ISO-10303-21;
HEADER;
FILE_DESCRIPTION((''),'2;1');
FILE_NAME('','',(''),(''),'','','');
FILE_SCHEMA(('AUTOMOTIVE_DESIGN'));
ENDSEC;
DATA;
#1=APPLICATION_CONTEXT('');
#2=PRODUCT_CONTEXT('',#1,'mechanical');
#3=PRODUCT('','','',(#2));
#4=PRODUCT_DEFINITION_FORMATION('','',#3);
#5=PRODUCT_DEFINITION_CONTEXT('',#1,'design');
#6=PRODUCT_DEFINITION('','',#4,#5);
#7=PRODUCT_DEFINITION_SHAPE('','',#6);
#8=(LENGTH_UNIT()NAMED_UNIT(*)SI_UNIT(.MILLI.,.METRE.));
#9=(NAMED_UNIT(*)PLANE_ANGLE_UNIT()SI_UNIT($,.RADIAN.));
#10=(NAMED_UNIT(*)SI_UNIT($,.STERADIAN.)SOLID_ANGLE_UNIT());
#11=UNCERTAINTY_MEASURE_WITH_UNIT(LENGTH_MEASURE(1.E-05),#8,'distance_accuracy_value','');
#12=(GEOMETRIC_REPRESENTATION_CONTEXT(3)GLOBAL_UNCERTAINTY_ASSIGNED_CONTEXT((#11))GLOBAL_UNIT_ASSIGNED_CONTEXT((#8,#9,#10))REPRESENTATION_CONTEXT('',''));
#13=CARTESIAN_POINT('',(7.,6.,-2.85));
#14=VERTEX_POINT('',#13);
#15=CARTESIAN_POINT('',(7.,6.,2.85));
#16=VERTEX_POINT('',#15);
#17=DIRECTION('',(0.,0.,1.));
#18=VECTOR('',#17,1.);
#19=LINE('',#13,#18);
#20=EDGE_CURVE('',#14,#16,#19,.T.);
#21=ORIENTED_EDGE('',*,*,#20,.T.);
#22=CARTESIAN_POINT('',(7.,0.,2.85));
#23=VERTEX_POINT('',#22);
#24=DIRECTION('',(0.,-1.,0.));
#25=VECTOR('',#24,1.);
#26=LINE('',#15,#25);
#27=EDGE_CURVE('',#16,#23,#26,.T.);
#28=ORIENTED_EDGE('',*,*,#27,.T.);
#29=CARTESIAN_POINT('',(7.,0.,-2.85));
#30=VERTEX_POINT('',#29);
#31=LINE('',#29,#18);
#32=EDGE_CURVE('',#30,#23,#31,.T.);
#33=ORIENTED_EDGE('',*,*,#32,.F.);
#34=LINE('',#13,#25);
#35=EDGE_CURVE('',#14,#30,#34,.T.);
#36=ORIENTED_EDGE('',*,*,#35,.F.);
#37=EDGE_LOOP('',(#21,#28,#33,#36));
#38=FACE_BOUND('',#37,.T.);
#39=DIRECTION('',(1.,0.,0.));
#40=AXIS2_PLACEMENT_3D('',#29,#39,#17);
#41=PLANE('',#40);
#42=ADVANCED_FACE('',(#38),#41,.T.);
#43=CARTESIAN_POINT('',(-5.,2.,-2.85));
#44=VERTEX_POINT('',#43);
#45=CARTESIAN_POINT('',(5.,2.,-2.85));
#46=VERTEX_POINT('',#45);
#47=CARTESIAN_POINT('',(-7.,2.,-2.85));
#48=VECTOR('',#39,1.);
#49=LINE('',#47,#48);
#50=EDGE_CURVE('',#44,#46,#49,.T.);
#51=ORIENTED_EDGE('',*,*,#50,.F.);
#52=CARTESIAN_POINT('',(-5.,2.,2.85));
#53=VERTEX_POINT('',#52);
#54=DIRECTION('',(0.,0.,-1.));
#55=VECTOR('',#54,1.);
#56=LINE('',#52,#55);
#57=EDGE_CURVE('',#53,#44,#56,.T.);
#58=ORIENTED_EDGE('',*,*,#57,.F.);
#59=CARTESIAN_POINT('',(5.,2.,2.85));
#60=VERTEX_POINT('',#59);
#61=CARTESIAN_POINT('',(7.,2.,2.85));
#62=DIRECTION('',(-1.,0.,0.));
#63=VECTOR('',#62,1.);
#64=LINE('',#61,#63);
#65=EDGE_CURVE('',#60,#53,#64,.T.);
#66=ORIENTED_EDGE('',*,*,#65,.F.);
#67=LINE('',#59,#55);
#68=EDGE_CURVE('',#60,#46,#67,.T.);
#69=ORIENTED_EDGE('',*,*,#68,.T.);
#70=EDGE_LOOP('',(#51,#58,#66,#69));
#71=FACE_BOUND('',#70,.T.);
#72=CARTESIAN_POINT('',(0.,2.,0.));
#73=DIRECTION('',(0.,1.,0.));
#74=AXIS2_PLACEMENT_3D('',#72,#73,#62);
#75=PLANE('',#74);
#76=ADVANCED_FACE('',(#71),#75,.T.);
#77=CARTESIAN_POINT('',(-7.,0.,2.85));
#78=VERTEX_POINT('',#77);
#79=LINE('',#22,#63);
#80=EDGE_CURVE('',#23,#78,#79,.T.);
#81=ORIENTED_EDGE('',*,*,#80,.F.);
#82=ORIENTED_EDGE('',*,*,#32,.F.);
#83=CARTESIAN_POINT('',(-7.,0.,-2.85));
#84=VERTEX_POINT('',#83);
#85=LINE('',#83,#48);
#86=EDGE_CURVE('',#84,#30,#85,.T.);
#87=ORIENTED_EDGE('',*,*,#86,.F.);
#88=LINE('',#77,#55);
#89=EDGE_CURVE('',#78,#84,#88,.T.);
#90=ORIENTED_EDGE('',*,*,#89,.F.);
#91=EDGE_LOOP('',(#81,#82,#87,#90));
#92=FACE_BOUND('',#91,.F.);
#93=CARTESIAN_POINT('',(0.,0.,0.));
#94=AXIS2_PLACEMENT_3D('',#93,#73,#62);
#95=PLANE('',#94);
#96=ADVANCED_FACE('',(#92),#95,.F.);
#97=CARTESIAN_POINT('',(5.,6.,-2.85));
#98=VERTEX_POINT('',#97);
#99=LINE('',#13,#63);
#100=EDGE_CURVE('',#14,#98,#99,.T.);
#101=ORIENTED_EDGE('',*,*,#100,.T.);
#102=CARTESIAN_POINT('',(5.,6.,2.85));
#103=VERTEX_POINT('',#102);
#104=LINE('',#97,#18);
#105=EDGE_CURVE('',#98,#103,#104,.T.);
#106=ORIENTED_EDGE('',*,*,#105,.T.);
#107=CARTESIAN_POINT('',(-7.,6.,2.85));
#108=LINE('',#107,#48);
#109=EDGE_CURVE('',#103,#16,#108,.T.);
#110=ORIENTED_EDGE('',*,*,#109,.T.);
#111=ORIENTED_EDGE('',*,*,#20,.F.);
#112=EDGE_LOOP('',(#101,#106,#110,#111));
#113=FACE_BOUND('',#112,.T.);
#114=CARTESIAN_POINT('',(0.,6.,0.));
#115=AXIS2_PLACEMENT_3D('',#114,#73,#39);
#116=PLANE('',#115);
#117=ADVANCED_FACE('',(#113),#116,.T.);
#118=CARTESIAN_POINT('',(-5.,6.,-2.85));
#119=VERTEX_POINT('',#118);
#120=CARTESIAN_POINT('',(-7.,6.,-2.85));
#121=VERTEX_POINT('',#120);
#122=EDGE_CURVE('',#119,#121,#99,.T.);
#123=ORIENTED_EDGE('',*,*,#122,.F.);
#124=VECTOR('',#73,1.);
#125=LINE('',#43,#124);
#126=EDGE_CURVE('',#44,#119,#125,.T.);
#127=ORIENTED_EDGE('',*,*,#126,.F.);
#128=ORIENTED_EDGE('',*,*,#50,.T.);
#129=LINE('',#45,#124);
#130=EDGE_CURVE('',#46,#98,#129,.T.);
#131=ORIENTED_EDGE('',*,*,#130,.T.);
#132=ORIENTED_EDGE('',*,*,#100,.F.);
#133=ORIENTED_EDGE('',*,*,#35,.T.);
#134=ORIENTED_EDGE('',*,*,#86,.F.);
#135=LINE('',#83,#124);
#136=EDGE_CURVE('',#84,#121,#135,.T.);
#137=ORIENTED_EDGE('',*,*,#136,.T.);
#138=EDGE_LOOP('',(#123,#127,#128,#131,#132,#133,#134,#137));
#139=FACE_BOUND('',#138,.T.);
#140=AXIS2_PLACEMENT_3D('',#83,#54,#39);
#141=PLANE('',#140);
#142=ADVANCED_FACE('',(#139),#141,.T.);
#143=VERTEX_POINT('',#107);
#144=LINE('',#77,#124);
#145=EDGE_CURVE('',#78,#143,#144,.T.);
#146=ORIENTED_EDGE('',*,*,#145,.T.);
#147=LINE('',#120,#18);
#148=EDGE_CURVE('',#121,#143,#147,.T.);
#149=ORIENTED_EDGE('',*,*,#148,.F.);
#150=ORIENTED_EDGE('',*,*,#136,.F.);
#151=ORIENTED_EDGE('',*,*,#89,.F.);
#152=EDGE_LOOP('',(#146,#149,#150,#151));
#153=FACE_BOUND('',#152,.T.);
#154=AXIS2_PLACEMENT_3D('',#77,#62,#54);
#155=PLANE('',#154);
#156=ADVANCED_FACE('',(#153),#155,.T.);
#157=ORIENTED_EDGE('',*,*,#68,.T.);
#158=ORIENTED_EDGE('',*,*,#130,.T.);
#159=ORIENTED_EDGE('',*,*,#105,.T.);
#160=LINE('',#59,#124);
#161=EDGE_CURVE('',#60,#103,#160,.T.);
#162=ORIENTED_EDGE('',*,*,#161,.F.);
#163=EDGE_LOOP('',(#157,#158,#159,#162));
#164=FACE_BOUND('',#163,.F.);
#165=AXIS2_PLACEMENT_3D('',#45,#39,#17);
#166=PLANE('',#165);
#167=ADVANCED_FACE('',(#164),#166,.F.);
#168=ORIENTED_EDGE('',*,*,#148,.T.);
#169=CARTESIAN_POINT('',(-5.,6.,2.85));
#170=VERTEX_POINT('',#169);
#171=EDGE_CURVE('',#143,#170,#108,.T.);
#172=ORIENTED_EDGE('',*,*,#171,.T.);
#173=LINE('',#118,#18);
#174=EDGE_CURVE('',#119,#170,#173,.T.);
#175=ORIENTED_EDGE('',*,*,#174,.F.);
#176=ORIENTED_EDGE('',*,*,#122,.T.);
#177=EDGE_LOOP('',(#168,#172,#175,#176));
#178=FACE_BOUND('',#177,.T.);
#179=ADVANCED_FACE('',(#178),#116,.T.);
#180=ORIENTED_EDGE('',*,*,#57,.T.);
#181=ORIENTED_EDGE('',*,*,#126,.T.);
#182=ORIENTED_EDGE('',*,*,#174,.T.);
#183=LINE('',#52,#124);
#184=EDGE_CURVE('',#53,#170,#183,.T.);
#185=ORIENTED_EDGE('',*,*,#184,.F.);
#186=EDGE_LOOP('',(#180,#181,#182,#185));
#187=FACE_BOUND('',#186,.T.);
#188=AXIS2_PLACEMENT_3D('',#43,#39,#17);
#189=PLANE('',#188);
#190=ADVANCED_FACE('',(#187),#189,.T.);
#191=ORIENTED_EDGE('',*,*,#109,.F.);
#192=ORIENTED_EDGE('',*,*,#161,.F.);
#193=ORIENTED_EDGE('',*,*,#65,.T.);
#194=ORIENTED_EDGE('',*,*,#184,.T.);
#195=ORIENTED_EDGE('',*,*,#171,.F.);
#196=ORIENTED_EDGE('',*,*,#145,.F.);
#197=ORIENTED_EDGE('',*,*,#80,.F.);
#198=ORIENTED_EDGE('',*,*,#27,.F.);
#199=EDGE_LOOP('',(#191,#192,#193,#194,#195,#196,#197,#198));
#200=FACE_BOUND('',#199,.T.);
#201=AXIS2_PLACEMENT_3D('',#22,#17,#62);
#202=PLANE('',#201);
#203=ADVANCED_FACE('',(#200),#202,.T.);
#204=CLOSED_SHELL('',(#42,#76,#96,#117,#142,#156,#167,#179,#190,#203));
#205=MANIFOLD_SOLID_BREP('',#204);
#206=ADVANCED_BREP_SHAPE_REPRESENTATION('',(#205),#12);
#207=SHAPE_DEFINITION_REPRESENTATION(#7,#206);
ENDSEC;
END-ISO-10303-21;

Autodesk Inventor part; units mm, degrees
ref_plane "YZ Plane" through (0, 0, 0) normal (1, 0, 0) x (0, 1, 0)
ref_plane "XZ Plane" through (0, 0, 0) normal (0, 1, 0) x (-1, 0, 0)
ref_plane "XY Plane" through (0, 0, 0) normal (0, 0, 1) x (1, 0, 0)
sketch "Sketch1" plane through (0, 0, 0) normal (0, 1, 0) x (-1, 0, 0)
  line L0 (7, -2.85) -> (-7, -2.85)
  line L1 (-7, -2.85) -> (-7, 2.85)
  line L2 (-7, 2.85) -> (7, 2.85)
  line L3 (7, 2.85) -> (7, -2.85)
  line L4 (7, -2.85) -> (-7, 2.85) construction
  line L5 (-7, -2.85) -> (7, 2.85) construction
  point P0 (0, 0)
  dimension "d0" = 14
  dimension "d1" = 5.7
extrude "Extrusion1" add sketch "Sketch1" along normal blind 2
sketch "Sketch2" plane through (0, 2, 0) normal (0, 1, 0) x (1, 0, 0)
  line L0 (7, 2.85) -> (-7, 2.85) projected
  line L1 (-7, -2.85) -> (7, -2.85) projected
  line L2 (-7, 2.85) -> (-5, 2.85)
  line L3 (-5, 2.85) -> (-5, -2.85)
  line L4 (-5, -2.85) -> (-7, -2.85)
  line L5 (-7, -2.85) -> (-7, 2.85)
  line L6 (-9.8, 0) -> (9.8, 0) projected
  line L7 (0, 3.99) -> (0, -3.99) projected
  line L8 (7, 2.85) -> (5, 2.85)
  line L9 (5, 2.85) -> (5, -2.85)
  line L10 (5, -2.85) -> (7, -2.85)
  line L11 (7, -2.85) -> (7, 2.85)
  point P0 (0, 0)
  dimension "d4" = 2
extrude "Extrusion2" add sketch "Sketch2" along normal blind 4 contours L11 L6 L9 L0 | L11 L1 L9 L6 | L3 L6 L5 L0 | L3 L1 L5 L6
equation "\"BendRadius\" = Thickness"
equation "\"BendReliefWidth\" = Thickness"
equation "\"BendReliefDepth\" = 0.5 * Thickness"
equation "\"CornerReliefSize\" = 4 * Thickness"
equation "\"MinimumRemnant\" = 2 * Thickness"
equation "\"TransitionRadius\" = BendRadius"
equation "\"JacobiRadiusSize\" = BendRadius"
equation "\"GapSize\" = Thickness"
equation "\"Thickness\" = 3.048"
properties part number "_3DPrint"
